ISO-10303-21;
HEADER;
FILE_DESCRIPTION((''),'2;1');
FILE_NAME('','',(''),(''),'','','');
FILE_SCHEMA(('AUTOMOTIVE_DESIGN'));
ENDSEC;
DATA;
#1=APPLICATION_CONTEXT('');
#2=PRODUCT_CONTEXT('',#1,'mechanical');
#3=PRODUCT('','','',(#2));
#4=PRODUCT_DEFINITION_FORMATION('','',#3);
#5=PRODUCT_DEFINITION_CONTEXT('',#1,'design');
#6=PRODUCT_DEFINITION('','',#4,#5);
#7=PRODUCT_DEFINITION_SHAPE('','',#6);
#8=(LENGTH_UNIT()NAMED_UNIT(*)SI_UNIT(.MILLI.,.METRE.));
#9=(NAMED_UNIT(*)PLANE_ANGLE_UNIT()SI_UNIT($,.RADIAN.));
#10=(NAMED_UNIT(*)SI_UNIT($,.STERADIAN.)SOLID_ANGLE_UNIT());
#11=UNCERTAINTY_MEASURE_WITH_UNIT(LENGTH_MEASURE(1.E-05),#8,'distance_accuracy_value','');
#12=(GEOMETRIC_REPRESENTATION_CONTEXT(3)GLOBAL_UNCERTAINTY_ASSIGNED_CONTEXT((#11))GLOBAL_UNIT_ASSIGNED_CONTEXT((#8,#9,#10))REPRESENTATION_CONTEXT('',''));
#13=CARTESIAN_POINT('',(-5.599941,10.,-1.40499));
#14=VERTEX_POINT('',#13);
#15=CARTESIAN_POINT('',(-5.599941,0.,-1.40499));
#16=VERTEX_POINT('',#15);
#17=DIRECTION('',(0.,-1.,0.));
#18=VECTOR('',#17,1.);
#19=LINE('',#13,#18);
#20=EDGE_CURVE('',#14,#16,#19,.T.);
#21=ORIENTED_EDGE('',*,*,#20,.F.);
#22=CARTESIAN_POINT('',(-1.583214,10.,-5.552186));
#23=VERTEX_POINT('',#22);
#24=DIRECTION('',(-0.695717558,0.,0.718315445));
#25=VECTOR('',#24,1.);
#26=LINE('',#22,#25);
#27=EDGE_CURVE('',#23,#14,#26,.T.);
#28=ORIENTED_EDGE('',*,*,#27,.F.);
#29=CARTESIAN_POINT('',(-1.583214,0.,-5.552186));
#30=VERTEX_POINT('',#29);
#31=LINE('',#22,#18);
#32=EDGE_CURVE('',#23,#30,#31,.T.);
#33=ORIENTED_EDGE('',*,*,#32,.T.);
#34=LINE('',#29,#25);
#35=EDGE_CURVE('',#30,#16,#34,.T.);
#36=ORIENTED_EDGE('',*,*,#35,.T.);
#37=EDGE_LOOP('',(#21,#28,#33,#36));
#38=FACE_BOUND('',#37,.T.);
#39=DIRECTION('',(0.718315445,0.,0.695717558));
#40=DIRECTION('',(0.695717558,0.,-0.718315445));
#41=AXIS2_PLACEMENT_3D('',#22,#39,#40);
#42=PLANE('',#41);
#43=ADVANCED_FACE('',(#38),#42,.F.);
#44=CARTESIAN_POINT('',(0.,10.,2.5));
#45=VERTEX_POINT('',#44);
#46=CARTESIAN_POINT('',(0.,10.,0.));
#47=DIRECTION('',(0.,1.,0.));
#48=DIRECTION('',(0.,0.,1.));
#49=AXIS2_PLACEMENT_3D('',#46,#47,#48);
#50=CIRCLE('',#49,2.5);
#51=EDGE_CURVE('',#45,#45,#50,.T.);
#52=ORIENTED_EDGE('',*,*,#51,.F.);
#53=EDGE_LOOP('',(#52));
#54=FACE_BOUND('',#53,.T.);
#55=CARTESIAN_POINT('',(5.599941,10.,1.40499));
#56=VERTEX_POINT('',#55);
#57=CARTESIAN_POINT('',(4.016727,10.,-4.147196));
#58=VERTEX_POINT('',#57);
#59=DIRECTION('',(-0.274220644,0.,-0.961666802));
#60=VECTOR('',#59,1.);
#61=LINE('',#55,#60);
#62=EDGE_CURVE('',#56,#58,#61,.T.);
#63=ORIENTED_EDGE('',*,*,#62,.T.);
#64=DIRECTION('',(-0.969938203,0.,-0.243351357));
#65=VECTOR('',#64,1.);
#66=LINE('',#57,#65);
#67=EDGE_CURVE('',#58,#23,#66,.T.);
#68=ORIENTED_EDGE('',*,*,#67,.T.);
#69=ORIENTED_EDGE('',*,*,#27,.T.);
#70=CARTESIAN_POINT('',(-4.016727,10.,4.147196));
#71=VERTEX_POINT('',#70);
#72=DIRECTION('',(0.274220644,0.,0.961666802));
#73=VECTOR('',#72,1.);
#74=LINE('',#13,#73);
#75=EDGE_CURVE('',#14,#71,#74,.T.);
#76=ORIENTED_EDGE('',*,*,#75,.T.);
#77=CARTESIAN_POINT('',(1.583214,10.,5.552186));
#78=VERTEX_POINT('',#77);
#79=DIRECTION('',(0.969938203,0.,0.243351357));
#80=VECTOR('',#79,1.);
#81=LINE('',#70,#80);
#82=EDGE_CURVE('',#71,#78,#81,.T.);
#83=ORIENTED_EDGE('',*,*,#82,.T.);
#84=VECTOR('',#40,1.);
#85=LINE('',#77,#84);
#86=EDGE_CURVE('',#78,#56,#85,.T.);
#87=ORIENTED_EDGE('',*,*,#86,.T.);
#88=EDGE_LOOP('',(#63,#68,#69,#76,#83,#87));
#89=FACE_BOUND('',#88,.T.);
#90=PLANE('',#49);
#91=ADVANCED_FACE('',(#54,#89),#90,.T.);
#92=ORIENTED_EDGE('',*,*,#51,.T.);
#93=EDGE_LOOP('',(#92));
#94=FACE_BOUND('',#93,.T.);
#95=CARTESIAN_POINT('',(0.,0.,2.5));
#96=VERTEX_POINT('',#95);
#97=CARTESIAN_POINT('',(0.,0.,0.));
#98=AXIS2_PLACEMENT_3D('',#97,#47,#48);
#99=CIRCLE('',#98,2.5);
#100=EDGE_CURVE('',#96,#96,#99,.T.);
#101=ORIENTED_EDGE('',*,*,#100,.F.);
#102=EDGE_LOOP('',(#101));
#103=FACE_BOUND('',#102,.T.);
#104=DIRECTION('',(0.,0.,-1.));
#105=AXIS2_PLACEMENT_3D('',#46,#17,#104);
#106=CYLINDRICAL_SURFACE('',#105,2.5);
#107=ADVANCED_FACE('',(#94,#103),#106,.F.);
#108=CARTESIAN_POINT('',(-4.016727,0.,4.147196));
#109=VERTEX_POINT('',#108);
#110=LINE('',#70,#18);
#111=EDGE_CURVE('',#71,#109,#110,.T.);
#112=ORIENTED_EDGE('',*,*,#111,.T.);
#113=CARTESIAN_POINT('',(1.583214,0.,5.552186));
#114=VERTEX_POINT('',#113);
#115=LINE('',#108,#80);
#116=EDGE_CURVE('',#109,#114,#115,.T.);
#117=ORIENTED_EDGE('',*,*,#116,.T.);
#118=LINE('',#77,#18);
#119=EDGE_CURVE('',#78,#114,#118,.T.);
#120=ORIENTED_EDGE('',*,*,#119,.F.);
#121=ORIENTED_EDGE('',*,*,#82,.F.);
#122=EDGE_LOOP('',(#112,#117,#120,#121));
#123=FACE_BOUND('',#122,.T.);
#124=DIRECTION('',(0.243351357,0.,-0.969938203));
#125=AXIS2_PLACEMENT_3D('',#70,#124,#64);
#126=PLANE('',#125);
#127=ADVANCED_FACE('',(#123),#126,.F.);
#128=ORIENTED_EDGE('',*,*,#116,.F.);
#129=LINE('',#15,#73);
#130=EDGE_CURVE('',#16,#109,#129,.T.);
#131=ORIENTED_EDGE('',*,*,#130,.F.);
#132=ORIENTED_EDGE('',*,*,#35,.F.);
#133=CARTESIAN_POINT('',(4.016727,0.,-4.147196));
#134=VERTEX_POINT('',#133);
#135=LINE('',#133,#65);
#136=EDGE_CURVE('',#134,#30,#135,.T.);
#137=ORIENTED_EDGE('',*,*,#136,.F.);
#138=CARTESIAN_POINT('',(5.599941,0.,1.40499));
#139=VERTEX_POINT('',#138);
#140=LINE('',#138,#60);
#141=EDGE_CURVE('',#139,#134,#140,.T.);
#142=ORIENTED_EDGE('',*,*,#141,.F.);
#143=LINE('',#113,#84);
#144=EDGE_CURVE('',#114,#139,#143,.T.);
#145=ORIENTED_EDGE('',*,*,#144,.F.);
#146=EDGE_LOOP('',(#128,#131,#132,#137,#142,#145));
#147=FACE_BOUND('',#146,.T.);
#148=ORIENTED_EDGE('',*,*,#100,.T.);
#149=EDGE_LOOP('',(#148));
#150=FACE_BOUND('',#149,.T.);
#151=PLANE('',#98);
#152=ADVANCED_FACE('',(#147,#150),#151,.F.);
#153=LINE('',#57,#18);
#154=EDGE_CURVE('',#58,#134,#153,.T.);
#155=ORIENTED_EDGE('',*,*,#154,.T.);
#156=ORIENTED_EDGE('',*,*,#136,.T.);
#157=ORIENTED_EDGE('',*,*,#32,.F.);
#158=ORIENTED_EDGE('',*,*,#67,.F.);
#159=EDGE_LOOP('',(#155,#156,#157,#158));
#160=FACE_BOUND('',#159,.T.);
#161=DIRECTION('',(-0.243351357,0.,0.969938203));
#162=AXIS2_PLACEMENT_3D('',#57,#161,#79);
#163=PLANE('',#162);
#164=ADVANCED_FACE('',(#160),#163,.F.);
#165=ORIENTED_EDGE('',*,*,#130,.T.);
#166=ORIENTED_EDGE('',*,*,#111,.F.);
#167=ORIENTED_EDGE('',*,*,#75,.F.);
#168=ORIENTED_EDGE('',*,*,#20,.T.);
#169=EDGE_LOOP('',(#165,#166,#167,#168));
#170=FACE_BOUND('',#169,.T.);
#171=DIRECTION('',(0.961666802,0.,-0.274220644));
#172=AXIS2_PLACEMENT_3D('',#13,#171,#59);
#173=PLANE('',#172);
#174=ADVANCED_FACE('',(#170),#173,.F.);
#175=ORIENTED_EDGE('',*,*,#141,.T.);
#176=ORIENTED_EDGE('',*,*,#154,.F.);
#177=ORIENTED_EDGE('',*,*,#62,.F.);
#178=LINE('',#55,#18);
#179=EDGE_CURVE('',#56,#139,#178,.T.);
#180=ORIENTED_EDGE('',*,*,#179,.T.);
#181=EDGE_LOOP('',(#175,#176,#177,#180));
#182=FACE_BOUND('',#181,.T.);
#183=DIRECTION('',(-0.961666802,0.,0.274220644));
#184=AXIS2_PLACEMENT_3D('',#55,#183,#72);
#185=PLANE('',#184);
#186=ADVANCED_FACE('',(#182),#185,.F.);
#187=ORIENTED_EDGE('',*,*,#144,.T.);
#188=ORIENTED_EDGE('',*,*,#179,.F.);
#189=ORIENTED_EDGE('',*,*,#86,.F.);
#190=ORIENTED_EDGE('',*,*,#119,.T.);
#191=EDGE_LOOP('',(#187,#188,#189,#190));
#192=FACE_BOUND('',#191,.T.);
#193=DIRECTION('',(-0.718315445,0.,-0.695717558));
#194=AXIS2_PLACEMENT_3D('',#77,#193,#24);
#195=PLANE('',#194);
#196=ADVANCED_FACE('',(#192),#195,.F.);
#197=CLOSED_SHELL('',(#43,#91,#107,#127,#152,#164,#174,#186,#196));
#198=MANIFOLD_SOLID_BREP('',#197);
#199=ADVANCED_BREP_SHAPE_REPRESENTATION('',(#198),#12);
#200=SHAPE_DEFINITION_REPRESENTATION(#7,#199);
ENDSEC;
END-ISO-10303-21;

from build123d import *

# Parameters (mm, degrees)
CROQUIS1_R              = 2.5
SALIENTE_EXTRUIR1_DEPTH = 10


with BuildPart() as part:
    # Croquis1 → Saliente-Extruir1 (new body)
    with BuildSketch(Plane(origin=(0, 0, 0), x_dir=(1, 0, 0), z_dir=(0, 1, 0))):
        Polygon((-5.599940825, 1.404989713), (-4.016727196, -4.147196157), (1.583213629, -5.55218587), (5.599940825, -1.404989713), (4.016727196, 4.147196157), (-1.583213629, 5.55218587), align=None)
        with Locations(Location((0, 0, 0), (0, 0, 270))):
            Circle(CROQUIS1_R, mode=Mode.SUBTRACT)
    extrude(amount=SALIENTE_EXTRUIR1_DEPTH)


solid = part.part
